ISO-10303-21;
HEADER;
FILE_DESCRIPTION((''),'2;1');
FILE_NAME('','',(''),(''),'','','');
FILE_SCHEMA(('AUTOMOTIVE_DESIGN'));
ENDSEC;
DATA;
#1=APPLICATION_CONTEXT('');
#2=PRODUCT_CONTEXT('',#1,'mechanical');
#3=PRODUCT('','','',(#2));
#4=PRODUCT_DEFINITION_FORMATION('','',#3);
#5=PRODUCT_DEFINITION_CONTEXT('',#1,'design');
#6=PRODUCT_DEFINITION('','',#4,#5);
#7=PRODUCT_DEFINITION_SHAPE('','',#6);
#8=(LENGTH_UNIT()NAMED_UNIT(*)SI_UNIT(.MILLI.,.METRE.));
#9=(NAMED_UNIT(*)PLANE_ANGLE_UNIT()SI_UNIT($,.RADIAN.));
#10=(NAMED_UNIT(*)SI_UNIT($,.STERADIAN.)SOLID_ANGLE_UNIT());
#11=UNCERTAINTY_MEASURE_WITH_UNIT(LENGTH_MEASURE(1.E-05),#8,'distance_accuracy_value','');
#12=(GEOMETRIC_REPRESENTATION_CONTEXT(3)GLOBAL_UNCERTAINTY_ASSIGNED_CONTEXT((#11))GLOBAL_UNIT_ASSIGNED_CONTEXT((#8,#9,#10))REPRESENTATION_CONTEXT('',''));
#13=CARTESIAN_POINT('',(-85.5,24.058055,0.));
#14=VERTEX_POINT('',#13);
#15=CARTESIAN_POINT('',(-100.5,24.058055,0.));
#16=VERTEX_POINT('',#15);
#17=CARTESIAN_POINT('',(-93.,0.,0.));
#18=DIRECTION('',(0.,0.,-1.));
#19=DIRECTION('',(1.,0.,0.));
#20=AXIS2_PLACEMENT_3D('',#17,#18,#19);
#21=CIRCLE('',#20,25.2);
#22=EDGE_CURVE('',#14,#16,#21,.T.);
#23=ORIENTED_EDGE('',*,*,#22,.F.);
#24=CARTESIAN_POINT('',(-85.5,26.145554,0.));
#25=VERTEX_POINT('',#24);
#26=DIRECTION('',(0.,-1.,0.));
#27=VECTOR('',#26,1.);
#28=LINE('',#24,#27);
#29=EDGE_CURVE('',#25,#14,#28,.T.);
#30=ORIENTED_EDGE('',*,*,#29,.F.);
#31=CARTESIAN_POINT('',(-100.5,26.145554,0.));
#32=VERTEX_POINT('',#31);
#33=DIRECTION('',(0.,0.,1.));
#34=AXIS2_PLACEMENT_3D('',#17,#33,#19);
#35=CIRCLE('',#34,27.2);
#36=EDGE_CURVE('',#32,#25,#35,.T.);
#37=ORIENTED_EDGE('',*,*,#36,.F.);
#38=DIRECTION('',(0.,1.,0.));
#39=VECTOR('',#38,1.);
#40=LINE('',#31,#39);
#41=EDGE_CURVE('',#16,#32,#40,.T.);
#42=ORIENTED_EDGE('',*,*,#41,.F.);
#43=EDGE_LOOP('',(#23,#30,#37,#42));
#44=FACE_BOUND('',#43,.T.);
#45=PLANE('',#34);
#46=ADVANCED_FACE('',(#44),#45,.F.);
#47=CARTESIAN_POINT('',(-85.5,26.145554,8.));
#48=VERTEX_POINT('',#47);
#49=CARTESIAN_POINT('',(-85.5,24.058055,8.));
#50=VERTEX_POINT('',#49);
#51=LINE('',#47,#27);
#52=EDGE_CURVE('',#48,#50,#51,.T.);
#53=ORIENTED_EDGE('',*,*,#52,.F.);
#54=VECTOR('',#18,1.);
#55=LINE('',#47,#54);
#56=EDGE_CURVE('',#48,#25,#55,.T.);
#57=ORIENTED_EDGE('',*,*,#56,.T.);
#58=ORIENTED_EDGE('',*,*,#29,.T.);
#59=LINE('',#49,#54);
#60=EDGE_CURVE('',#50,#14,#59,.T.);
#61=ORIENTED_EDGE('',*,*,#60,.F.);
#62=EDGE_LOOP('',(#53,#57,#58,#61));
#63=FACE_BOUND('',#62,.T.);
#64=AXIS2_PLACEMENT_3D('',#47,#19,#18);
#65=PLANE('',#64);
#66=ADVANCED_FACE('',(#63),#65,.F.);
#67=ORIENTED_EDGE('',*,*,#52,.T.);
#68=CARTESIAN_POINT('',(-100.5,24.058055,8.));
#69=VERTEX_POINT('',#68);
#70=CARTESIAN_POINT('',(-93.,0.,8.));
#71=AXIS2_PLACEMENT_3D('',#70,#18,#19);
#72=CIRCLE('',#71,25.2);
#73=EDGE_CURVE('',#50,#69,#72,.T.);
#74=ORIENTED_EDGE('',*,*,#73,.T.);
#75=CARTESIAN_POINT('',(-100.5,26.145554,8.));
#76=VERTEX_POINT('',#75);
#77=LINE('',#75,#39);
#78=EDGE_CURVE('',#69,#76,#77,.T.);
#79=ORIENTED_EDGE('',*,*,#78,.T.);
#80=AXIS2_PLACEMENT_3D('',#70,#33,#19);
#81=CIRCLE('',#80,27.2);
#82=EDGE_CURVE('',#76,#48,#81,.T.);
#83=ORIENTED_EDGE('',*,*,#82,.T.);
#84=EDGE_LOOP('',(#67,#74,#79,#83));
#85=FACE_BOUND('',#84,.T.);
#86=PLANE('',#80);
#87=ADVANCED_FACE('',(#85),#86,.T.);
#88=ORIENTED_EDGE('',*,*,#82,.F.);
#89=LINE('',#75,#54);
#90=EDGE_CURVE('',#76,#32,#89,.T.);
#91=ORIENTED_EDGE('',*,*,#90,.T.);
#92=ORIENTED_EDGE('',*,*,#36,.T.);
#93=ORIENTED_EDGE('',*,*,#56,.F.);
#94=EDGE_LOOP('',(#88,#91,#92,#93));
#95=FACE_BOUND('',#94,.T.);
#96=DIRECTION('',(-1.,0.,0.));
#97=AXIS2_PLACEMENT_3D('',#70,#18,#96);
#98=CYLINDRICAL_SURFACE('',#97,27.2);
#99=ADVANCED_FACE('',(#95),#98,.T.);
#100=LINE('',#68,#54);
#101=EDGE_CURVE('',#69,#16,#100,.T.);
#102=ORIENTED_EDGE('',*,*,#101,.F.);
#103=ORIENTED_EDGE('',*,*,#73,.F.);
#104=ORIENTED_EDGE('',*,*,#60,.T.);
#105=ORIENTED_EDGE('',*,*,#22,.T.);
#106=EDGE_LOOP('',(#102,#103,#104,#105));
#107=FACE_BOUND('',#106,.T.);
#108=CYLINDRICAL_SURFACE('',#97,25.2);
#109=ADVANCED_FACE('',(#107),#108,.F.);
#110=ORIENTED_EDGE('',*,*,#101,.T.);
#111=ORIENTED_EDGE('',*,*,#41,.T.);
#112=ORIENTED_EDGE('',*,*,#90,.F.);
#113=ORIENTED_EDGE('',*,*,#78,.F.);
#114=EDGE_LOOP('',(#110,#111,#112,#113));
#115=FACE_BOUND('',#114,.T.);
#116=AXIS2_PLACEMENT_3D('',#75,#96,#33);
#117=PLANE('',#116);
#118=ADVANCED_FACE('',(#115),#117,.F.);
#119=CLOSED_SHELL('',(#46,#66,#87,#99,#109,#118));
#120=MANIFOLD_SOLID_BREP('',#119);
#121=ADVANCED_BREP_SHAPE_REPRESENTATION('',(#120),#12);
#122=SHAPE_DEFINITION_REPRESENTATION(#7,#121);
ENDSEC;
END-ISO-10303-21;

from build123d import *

# Parameters (mm, degrees)
BOSS_EXTRUDE1_DEPTH = 8


with BuildPart() as part:
    # Sketch1 → Boss-Extrude1 (new body)
    with BuildSketch(Plane.XY):
        with BuildLine():
            Line((-100.5, 26.145554115), (-100.5, 24.058054784))
            ThreePointArc((-100.5, 24.058054784), (-93, -25.2), (-85.5, 24.058054784))
            Line((-85.5, 24.058054784), (-85.5, 26.145554115))
            ThreePointArc((-85.5, 26.145554115), (-93, -27.2), (-100.5, 26.145554115))
        make_face()
    extrude(amount=BOSS_EXTRUDE1_DEPTH)


solid = part.part
